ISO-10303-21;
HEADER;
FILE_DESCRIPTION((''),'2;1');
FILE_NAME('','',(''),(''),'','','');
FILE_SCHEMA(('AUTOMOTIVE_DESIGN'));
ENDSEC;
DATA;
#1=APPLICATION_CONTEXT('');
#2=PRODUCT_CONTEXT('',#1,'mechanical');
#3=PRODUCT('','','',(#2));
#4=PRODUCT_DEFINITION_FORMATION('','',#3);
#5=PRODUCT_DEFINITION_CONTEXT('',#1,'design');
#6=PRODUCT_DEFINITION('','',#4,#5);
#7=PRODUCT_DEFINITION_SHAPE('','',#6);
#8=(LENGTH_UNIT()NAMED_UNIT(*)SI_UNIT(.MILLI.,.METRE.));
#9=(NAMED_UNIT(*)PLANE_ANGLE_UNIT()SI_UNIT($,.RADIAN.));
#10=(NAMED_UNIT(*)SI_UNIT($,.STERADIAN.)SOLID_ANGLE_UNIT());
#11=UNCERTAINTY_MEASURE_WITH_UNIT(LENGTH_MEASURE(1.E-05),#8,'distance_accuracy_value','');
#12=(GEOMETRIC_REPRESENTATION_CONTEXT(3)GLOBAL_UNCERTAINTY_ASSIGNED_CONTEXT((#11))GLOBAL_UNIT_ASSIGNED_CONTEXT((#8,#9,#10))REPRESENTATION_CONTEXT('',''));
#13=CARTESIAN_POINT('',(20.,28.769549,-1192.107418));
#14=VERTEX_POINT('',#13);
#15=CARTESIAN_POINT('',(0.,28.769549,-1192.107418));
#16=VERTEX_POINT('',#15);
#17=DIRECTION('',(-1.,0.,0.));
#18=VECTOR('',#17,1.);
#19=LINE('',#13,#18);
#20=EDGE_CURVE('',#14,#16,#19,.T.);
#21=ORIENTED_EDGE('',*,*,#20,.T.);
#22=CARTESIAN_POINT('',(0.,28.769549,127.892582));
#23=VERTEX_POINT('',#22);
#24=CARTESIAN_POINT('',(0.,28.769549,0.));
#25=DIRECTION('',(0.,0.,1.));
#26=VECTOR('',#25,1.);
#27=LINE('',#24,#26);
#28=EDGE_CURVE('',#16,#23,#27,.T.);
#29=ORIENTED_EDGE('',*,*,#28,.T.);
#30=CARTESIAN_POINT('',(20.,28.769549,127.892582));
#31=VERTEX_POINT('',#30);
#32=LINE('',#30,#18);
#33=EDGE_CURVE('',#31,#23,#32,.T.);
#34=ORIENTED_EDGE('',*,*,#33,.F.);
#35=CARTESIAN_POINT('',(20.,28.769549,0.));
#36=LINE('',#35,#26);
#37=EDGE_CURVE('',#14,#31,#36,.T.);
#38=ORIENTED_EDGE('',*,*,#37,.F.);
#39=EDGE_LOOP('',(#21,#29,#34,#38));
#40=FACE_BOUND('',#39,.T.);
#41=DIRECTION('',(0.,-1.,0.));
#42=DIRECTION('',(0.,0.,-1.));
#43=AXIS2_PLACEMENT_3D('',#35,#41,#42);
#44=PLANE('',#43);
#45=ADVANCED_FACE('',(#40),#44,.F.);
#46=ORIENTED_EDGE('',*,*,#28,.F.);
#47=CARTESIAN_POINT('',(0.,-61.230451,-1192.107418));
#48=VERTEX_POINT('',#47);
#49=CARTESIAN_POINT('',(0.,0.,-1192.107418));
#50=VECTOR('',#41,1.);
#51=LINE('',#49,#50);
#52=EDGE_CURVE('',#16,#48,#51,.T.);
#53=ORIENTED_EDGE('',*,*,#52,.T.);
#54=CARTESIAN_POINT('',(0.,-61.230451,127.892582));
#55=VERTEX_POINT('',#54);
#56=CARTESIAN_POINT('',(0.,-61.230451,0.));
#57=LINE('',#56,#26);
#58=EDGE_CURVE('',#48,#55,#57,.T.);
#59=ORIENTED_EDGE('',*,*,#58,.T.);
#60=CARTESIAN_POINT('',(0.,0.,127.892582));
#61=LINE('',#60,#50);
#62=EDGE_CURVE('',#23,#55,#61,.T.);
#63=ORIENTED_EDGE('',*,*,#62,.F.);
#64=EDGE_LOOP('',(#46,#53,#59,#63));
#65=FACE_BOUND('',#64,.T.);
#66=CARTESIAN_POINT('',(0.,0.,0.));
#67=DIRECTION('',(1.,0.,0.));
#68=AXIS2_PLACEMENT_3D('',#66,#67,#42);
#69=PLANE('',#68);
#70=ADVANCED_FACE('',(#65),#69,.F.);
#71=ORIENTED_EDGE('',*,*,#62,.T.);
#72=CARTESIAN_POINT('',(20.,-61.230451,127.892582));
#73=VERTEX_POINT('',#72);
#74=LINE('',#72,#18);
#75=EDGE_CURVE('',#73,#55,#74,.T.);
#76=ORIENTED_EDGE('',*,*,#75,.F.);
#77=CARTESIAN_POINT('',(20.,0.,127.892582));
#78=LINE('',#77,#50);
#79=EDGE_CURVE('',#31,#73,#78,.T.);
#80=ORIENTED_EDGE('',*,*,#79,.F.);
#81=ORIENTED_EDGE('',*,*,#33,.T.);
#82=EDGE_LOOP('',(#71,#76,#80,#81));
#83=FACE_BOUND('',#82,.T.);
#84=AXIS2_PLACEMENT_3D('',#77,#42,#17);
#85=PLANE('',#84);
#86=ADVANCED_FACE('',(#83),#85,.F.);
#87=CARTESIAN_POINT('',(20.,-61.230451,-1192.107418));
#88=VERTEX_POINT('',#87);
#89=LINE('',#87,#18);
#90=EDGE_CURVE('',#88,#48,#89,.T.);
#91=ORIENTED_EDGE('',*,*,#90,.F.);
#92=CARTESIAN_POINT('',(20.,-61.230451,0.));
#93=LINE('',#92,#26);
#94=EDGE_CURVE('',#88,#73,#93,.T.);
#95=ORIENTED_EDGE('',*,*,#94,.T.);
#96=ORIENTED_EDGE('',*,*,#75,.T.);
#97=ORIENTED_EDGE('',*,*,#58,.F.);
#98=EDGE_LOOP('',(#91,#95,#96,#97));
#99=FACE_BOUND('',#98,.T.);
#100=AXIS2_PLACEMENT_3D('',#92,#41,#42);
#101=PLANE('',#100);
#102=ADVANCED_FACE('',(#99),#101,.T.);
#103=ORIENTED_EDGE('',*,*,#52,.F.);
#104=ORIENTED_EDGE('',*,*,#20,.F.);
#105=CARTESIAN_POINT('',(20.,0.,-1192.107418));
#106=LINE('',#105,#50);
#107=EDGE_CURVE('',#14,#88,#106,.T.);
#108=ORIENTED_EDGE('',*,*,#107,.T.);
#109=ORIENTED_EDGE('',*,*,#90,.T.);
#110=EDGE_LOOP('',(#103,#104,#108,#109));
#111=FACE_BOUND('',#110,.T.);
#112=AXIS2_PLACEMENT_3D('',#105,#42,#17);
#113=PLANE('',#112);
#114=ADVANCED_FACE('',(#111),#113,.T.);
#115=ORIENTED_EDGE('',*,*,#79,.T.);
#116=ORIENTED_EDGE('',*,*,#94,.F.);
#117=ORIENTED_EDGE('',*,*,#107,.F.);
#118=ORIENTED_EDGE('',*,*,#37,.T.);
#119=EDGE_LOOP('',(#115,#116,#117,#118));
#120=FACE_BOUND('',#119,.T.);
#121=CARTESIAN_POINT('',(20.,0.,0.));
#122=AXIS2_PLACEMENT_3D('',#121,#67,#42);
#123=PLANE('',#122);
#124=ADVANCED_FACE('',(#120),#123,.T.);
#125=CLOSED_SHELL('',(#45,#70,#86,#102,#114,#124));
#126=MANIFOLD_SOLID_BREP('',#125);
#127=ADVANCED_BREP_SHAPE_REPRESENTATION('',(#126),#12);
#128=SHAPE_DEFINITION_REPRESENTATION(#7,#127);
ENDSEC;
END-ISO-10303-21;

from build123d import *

# Parameters (mm, degrees)
ESQUISSE1_W        = 1320
ESQUISSE1_H        = 90
BOSS_EXTRU_1_DEPTH = 20


with BuildPart() as part:
    # Esquisse1 → Boss.-Extru.1 (new body)
    with BuildSketch(Plane(origin=(0, 0, 0), x_dir=(0, 0, -1), z_dir=(1, 0, 0))):
        with Locations((532.107417894, -16.230450587)):
            Rectangle(ESQUISSE1_W, ESQUISSE1_H)
    extrude(amount=BOSS_EXTRU_1_DEPTH)


solid = part.part
